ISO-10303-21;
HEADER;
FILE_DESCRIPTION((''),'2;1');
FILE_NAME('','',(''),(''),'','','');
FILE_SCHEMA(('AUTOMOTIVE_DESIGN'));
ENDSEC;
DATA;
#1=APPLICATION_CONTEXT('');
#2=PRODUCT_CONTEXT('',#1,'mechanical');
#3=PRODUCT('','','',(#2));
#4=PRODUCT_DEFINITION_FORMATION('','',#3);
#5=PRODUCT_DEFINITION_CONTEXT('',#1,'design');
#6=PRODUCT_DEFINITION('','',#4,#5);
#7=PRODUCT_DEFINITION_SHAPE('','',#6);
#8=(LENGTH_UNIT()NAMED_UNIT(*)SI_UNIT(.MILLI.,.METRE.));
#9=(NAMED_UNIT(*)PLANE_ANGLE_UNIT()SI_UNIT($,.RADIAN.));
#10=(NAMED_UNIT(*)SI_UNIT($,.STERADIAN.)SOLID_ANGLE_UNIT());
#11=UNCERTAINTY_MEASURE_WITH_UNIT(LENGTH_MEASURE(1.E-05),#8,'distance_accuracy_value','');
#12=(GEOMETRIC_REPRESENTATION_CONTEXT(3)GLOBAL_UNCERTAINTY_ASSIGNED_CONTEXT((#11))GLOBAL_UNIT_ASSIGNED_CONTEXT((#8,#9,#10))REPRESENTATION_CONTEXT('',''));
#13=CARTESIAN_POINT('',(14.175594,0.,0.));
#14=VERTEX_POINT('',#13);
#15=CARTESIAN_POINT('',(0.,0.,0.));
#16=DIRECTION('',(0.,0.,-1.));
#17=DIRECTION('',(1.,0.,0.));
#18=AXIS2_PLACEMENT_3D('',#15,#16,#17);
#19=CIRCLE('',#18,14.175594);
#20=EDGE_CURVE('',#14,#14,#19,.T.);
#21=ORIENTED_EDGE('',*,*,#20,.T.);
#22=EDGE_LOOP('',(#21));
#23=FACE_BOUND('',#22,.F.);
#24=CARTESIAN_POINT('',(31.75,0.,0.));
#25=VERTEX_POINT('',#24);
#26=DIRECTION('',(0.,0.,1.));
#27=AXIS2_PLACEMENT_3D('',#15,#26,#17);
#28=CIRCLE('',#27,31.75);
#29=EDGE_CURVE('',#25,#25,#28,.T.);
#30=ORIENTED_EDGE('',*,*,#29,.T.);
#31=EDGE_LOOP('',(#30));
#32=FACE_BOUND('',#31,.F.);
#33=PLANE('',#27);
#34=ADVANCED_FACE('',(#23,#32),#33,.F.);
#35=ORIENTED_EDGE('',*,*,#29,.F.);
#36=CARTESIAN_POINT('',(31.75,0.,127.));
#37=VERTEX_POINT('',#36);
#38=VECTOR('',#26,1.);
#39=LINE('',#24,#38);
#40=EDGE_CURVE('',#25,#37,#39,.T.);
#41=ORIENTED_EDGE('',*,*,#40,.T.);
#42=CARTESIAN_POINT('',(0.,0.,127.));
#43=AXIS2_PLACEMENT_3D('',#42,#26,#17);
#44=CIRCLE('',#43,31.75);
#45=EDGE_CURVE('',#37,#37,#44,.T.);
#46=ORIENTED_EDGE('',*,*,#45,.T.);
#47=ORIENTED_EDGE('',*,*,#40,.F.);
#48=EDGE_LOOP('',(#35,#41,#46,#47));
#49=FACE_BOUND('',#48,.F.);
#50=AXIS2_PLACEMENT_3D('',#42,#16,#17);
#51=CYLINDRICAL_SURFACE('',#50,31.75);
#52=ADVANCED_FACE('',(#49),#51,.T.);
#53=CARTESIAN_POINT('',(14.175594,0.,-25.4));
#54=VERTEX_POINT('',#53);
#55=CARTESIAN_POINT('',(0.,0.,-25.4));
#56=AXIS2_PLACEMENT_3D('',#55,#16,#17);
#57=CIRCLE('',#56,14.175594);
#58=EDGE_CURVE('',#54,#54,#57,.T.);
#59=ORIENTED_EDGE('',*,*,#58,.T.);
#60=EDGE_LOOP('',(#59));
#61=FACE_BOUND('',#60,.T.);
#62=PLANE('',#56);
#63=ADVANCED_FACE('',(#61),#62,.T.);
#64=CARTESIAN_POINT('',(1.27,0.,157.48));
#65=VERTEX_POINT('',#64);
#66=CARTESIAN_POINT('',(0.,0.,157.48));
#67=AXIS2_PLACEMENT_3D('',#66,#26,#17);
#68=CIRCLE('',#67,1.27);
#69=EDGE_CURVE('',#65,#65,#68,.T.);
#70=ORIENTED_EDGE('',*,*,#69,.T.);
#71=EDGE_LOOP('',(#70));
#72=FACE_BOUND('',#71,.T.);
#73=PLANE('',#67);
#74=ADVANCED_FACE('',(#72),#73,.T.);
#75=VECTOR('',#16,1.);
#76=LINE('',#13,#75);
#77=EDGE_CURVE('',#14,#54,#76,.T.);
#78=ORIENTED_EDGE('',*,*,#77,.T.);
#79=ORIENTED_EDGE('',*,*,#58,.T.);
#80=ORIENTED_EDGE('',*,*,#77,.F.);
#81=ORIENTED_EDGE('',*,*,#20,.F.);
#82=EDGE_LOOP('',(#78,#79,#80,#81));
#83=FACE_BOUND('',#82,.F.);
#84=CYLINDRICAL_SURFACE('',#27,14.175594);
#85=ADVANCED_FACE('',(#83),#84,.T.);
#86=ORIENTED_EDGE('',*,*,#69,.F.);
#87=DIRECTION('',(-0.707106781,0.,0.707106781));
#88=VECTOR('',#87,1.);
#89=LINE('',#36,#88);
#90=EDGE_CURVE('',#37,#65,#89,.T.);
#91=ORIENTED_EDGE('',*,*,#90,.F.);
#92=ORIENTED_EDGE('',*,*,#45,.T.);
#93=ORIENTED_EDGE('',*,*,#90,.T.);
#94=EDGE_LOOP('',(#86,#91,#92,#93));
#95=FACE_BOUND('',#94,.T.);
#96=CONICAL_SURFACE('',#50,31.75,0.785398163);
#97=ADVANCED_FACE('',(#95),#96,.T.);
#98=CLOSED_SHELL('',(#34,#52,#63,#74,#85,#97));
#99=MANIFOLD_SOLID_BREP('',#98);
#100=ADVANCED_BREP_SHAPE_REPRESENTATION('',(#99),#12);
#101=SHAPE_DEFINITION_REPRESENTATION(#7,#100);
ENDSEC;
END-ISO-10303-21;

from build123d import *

# Parameters (mm, degrees)
F0_R     = 31.75
F1_DEPTH = 127
F2_R     = 31.75
F3_DEPTH = 30.48
F4_SIZE  = 30.48
F5_R     = 14.175594
F6_DEPTH = 25.4


with BuildPart() as f1:
    # F0 (on Top) → F1 (new body)
    with BuildSketch(Plane.XY):
        Circle(F0_R)
    extrude(amount=F1_DEPTH)

    # F2 (on face) → F3 (join)
    with BuildSketch(Plane.XY.offset(127)):
        Circle(F2_R)
    extrude(amount=F3_DEPTH)

    # F4
    f4_edges = [f1.edges().sort_by_distance(p)[0] for p in [
        (-31.75, 0, 157.48),
    ]]
    chamfer(f4_edges, length=F4_SIZE)

    # F5 (on face) → F6 (join)
    with BuildSketch(Plane(origin=(0, 0, 0), x_dir=(1, 0, 0), z_dir=(0, 0, -1))):
        Circle(F5_R)
    extrude(amount=F6_DEPTH)


solid = f1.part
